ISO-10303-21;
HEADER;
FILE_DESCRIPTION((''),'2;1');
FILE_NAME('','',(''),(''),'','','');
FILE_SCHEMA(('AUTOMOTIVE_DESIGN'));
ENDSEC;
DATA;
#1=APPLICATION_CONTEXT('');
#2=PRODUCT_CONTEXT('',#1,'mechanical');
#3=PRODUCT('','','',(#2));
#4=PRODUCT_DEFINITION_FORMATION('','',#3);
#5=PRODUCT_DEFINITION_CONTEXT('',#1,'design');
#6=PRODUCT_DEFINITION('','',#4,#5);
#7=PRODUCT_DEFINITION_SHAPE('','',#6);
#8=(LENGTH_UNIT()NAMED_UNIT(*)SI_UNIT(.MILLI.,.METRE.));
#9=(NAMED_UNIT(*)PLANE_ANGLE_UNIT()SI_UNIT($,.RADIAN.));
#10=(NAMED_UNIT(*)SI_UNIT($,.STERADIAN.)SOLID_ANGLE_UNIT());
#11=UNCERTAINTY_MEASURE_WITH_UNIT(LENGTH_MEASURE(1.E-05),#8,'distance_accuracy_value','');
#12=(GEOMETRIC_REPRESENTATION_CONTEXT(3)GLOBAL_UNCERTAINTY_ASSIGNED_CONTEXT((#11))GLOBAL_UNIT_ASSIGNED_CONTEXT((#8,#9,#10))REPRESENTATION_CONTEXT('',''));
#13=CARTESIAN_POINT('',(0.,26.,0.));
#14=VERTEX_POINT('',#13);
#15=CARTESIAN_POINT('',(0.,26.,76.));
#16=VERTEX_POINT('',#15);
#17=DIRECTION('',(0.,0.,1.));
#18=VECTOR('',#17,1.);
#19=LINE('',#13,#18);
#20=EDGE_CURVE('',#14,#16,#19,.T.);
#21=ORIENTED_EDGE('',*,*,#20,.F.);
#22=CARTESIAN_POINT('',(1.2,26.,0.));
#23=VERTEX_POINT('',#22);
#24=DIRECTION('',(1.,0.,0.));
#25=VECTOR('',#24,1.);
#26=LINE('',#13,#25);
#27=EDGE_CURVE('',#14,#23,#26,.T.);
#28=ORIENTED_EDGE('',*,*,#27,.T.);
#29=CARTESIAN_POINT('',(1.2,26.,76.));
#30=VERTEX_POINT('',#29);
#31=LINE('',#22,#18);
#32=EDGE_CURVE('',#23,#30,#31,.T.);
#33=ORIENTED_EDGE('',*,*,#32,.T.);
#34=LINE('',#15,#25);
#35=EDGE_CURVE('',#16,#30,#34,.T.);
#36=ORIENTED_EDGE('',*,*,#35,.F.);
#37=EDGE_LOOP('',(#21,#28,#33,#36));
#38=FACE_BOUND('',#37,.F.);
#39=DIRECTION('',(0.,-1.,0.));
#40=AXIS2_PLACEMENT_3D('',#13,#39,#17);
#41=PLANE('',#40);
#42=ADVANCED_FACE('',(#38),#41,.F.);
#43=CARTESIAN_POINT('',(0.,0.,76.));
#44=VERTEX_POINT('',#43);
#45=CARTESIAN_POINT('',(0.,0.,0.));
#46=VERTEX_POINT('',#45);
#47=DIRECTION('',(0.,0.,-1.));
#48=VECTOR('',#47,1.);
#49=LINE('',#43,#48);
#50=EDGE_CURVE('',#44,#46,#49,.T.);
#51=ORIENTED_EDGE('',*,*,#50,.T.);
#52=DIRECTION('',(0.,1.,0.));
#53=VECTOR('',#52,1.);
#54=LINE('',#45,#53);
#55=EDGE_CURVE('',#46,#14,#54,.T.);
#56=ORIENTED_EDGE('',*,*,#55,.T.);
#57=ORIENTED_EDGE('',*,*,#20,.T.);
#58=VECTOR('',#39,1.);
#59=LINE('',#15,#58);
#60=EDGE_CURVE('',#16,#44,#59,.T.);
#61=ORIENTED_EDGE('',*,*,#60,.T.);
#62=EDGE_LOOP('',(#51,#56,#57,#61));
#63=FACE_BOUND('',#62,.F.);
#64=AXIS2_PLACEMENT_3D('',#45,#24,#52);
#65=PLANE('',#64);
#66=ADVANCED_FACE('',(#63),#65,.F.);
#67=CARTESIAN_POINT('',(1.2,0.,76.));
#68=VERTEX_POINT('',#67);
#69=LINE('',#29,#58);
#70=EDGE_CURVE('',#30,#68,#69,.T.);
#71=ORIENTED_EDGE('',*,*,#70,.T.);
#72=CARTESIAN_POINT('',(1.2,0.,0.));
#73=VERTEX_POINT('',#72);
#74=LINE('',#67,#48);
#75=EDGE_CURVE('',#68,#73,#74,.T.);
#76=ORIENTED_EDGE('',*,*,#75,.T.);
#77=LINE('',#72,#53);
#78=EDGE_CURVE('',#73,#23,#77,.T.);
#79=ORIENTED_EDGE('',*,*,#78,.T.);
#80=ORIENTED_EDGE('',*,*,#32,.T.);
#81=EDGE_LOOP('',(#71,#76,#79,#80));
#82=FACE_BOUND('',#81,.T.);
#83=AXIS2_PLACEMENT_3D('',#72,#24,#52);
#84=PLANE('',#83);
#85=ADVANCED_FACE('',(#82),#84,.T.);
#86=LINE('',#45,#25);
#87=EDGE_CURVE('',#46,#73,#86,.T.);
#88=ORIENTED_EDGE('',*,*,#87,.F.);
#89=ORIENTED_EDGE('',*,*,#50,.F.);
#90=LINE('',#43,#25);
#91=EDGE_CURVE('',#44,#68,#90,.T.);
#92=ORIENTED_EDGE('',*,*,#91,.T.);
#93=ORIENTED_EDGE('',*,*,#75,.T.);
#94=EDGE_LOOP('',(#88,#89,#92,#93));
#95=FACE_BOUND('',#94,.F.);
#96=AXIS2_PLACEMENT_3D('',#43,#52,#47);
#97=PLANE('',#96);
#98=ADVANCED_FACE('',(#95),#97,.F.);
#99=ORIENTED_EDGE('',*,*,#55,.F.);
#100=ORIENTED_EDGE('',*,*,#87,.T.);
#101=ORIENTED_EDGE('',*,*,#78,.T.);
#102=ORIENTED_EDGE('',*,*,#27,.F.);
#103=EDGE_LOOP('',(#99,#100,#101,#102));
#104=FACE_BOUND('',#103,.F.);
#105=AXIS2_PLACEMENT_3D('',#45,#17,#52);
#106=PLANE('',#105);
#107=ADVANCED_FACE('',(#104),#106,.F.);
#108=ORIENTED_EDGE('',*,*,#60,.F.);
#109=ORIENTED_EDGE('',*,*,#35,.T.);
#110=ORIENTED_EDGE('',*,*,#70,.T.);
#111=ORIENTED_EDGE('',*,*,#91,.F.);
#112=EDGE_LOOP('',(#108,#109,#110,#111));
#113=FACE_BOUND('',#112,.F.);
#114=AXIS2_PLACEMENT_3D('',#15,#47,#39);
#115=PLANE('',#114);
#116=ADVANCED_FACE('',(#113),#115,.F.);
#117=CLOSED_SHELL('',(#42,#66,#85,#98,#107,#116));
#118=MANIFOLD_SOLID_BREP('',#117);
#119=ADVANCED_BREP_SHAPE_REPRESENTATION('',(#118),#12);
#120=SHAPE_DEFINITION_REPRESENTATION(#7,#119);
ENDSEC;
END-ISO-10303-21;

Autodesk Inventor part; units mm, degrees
ref_plane "YZ Plane" through (0, 0, 0) normal (1, 0, 0) x (0, 1, 0)
ref_plane "XZ Plane" through (0, 0, 0) normal (0, 1, 0) x (-1, 0, 0)
ref_plane "XY Plane" through (0, 0, 0) normal (0, 0, 1) x (1, 0, 0)
sketch "Skizze1" plane through (0, 0, 0) normal (1, 0, 0) x (0, 1, 0)
  line L0 (0, 0) -> (26, 0)
  line L1 (26, 0) -> (26, 76)
  line L2 (26, 76) -> (0, 76)
  line L3 (0, 76) -> (0, 0)
  dimension "d0" = 26
  dimension "d1" = 76
extrude "Extrusion1" add sketch "Skizze1" along normal blind 1.2
properties part number "11_Objektträger"
